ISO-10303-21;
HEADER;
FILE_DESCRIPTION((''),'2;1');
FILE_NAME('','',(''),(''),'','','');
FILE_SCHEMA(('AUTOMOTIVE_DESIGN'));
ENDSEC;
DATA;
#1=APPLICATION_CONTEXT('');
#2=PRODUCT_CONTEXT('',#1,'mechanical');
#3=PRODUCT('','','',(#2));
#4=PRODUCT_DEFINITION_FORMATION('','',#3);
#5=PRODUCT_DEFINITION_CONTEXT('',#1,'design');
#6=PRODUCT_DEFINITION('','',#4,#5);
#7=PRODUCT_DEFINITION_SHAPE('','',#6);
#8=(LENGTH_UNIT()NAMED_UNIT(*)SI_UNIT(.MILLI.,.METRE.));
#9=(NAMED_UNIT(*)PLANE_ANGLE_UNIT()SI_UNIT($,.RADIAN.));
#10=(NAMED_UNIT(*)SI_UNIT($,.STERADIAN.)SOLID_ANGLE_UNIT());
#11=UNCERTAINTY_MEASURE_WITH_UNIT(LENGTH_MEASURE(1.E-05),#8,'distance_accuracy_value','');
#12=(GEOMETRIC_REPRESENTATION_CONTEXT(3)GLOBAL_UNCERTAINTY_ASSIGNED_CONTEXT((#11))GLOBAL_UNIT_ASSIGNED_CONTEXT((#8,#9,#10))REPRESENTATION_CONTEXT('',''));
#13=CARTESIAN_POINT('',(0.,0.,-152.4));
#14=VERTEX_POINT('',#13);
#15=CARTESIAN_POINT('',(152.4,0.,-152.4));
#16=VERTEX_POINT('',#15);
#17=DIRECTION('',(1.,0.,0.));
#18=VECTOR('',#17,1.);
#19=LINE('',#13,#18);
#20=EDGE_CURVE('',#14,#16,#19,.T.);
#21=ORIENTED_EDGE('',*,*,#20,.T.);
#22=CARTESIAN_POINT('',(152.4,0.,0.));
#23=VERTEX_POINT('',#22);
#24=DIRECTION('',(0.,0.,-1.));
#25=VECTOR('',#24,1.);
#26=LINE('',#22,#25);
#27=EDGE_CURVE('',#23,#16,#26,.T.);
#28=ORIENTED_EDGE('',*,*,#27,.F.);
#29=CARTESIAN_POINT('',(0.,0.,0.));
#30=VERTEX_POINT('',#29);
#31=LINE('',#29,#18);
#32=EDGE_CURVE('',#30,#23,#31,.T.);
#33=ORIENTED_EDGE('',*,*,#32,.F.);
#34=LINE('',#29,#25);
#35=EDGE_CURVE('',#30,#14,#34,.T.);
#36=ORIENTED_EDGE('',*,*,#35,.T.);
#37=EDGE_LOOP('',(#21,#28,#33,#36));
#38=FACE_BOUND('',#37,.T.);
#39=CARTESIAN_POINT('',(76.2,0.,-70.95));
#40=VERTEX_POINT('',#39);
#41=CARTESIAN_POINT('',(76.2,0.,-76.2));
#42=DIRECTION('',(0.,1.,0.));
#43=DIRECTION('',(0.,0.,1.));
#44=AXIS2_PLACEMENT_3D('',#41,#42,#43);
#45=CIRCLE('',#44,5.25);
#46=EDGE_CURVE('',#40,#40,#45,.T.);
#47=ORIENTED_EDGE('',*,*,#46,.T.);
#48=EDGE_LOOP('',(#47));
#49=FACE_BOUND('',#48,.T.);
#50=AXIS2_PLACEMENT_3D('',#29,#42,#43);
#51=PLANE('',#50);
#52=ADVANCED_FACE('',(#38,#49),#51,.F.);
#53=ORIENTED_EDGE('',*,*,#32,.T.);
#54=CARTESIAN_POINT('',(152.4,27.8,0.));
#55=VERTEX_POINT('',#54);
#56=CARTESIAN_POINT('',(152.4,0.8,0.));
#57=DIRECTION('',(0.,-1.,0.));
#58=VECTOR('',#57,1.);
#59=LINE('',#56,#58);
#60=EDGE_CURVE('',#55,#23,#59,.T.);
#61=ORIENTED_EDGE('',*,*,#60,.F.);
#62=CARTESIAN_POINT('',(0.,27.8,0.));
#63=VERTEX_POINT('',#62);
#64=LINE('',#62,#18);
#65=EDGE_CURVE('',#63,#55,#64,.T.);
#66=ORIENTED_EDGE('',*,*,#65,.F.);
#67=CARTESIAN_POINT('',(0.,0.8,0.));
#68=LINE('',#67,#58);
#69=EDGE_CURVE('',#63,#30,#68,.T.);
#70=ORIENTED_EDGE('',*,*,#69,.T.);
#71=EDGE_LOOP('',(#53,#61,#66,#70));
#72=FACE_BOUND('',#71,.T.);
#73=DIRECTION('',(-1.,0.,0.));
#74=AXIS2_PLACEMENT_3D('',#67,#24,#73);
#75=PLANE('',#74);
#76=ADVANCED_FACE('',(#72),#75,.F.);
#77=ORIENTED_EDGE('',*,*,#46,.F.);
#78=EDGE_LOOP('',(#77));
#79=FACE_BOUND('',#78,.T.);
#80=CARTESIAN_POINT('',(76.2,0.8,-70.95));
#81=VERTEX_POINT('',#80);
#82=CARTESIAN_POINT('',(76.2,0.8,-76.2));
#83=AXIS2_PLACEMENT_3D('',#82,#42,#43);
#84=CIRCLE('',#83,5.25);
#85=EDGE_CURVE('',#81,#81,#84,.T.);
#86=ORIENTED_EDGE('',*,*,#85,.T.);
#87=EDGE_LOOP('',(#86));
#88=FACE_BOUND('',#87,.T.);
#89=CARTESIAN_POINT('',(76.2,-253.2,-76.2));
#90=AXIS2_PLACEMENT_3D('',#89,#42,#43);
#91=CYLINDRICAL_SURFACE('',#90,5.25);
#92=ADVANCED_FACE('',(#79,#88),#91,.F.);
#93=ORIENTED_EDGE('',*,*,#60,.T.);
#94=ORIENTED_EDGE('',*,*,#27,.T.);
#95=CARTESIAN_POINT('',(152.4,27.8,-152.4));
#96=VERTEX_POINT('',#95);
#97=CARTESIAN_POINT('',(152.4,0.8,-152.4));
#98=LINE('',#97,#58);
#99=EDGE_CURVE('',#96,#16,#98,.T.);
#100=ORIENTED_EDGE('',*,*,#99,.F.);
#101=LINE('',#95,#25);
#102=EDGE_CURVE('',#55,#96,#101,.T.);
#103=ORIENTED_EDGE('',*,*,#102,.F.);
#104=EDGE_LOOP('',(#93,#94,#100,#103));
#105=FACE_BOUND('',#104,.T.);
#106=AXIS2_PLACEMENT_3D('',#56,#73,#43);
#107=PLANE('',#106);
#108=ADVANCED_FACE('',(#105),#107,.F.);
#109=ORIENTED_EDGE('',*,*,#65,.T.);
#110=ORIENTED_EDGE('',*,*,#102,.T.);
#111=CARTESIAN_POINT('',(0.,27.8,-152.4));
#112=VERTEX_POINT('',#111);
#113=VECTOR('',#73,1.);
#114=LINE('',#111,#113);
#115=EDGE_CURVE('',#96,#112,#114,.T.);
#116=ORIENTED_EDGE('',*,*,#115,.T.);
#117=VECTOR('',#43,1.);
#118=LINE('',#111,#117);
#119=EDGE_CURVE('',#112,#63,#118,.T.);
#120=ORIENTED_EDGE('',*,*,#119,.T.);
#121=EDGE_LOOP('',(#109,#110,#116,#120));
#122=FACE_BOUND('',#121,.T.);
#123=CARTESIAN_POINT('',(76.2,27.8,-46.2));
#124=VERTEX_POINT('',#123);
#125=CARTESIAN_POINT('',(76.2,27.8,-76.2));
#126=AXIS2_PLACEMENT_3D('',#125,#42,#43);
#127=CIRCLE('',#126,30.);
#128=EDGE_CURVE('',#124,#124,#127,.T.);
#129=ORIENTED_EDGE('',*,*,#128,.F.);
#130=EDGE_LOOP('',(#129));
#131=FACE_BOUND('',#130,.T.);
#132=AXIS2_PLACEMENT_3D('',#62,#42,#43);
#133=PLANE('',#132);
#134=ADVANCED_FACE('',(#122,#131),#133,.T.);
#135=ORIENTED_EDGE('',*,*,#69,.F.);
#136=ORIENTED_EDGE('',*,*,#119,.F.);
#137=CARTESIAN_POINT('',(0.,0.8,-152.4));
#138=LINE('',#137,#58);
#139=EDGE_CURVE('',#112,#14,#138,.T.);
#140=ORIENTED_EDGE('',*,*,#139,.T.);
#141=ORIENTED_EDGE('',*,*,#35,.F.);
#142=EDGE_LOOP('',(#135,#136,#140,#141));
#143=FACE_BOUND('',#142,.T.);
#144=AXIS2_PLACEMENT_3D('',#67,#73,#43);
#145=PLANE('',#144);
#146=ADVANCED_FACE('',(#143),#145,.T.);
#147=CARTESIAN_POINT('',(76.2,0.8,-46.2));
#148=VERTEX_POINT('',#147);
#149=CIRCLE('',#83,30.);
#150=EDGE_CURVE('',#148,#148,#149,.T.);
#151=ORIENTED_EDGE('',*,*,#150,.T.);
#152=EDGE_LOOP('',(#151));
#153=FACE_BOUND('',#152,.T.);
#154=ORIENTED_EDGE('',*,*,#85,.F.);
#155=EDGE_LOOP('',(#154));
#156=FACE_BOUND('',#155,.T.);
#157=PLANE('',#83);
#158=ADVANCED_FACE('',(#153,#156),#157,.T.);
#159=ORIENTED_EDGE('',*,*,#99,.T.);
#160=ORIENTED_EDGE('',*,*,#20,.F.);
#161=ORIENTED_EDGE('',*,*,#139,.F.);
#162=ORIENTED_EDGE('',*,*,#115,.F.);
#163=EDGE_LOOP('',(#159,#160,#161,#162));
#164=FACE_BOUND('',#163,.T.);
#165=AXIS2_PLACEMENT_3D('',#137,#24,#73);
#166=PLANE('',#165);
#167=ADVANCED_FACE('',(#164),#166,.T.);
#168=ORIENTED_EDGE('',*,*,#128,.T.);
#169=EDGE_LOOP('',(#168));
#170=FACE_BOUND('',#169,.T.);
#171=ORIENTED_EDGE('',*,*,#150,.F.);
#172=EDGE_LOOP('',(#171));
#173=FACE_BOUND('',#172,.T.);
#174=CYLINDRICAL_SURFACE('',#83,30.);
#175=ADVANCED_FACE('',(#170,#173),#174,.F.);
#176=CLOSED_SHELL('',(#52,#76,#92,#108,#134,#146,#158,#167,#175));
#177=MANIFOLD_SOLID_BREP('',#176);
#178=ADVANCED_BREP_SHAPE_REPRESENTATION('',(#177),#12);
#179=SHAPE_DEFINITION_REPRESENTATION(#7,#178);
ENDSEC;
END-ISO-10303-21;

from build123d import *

# Parameters (mm, degrees)
SKETCH1_W           = 152.4
SKETCH1_H           = 152.4
BOSS_EXTRUDE1_DEPTH = 0.8
SKETCH2_R           = 5.25
CUT_EXTRUDE2_DEPTH  = 254
SKETCH3_W           = 152.4
SKETCH3_H           = 152.4
BOSS_EXTRUDE2_DEPTH = 27
SKETCH4_R           = 30
CUT_EXTRUDE3_DEPTH  = 27


with BuildPart() as part:
    # Sketch1 → Boss-Extrude1 (new body)
    with BuildSketch(Plane(origin=(0, 0, 0), x_dir=(1, 0, 0), z_dir=(0, 1, 0))):
        with Locations((76.2, 76.2)):
            Rectangle(SKETCH1_W, SKETCH1_H)
    extrude(amount=BOSS_EXTRUDE1_DEPTH)

    # Sketch2 → Cut-Extrude2 (cut)
    with BuildSketch(Plane(origin=(0, 0.8, 0), x_dir=(1, 0, 0), z_dir=(0, 1, 0))):
        with Locations(Location((76.2, 76.2, 0), (0, 0, 270))):
            Circle(SKETCH2_R)
    extrude(amount=-CUT_EXTRUDE2_DEPTH, mode=Mode.SUBTRACT)

    # Sketch3 → Boss-Extrude2 (add)
    with BuildSketch(Plane(origin=(0, 0.8, 0), x_dir=(1, 0, 0), z_dir=(0, 1, 0))):
        with Locations((76.2, 76.2)):
            Rectangle(SKETCH3_W, SKETCH3_H)
    extrude(amount=BOSS_EXTRUDE2_DEPTH)

    # Sketch4 → Cut-Extrude3 (cut)
    with BuildSketch(Plane(origin=(0, 27.8, 0), x_dir=(1, 0, 0), z_dir=(0, 1, 0))):
        with Locations(Location((76.2, 76.2, 0), (0, 0, 270))):
            Circle(SKETCH4_R)
    extrude(amount=-CUT_EXTRUDE3_DEPTH, mode=Mode.SUBTRACT)


solid = part.part
